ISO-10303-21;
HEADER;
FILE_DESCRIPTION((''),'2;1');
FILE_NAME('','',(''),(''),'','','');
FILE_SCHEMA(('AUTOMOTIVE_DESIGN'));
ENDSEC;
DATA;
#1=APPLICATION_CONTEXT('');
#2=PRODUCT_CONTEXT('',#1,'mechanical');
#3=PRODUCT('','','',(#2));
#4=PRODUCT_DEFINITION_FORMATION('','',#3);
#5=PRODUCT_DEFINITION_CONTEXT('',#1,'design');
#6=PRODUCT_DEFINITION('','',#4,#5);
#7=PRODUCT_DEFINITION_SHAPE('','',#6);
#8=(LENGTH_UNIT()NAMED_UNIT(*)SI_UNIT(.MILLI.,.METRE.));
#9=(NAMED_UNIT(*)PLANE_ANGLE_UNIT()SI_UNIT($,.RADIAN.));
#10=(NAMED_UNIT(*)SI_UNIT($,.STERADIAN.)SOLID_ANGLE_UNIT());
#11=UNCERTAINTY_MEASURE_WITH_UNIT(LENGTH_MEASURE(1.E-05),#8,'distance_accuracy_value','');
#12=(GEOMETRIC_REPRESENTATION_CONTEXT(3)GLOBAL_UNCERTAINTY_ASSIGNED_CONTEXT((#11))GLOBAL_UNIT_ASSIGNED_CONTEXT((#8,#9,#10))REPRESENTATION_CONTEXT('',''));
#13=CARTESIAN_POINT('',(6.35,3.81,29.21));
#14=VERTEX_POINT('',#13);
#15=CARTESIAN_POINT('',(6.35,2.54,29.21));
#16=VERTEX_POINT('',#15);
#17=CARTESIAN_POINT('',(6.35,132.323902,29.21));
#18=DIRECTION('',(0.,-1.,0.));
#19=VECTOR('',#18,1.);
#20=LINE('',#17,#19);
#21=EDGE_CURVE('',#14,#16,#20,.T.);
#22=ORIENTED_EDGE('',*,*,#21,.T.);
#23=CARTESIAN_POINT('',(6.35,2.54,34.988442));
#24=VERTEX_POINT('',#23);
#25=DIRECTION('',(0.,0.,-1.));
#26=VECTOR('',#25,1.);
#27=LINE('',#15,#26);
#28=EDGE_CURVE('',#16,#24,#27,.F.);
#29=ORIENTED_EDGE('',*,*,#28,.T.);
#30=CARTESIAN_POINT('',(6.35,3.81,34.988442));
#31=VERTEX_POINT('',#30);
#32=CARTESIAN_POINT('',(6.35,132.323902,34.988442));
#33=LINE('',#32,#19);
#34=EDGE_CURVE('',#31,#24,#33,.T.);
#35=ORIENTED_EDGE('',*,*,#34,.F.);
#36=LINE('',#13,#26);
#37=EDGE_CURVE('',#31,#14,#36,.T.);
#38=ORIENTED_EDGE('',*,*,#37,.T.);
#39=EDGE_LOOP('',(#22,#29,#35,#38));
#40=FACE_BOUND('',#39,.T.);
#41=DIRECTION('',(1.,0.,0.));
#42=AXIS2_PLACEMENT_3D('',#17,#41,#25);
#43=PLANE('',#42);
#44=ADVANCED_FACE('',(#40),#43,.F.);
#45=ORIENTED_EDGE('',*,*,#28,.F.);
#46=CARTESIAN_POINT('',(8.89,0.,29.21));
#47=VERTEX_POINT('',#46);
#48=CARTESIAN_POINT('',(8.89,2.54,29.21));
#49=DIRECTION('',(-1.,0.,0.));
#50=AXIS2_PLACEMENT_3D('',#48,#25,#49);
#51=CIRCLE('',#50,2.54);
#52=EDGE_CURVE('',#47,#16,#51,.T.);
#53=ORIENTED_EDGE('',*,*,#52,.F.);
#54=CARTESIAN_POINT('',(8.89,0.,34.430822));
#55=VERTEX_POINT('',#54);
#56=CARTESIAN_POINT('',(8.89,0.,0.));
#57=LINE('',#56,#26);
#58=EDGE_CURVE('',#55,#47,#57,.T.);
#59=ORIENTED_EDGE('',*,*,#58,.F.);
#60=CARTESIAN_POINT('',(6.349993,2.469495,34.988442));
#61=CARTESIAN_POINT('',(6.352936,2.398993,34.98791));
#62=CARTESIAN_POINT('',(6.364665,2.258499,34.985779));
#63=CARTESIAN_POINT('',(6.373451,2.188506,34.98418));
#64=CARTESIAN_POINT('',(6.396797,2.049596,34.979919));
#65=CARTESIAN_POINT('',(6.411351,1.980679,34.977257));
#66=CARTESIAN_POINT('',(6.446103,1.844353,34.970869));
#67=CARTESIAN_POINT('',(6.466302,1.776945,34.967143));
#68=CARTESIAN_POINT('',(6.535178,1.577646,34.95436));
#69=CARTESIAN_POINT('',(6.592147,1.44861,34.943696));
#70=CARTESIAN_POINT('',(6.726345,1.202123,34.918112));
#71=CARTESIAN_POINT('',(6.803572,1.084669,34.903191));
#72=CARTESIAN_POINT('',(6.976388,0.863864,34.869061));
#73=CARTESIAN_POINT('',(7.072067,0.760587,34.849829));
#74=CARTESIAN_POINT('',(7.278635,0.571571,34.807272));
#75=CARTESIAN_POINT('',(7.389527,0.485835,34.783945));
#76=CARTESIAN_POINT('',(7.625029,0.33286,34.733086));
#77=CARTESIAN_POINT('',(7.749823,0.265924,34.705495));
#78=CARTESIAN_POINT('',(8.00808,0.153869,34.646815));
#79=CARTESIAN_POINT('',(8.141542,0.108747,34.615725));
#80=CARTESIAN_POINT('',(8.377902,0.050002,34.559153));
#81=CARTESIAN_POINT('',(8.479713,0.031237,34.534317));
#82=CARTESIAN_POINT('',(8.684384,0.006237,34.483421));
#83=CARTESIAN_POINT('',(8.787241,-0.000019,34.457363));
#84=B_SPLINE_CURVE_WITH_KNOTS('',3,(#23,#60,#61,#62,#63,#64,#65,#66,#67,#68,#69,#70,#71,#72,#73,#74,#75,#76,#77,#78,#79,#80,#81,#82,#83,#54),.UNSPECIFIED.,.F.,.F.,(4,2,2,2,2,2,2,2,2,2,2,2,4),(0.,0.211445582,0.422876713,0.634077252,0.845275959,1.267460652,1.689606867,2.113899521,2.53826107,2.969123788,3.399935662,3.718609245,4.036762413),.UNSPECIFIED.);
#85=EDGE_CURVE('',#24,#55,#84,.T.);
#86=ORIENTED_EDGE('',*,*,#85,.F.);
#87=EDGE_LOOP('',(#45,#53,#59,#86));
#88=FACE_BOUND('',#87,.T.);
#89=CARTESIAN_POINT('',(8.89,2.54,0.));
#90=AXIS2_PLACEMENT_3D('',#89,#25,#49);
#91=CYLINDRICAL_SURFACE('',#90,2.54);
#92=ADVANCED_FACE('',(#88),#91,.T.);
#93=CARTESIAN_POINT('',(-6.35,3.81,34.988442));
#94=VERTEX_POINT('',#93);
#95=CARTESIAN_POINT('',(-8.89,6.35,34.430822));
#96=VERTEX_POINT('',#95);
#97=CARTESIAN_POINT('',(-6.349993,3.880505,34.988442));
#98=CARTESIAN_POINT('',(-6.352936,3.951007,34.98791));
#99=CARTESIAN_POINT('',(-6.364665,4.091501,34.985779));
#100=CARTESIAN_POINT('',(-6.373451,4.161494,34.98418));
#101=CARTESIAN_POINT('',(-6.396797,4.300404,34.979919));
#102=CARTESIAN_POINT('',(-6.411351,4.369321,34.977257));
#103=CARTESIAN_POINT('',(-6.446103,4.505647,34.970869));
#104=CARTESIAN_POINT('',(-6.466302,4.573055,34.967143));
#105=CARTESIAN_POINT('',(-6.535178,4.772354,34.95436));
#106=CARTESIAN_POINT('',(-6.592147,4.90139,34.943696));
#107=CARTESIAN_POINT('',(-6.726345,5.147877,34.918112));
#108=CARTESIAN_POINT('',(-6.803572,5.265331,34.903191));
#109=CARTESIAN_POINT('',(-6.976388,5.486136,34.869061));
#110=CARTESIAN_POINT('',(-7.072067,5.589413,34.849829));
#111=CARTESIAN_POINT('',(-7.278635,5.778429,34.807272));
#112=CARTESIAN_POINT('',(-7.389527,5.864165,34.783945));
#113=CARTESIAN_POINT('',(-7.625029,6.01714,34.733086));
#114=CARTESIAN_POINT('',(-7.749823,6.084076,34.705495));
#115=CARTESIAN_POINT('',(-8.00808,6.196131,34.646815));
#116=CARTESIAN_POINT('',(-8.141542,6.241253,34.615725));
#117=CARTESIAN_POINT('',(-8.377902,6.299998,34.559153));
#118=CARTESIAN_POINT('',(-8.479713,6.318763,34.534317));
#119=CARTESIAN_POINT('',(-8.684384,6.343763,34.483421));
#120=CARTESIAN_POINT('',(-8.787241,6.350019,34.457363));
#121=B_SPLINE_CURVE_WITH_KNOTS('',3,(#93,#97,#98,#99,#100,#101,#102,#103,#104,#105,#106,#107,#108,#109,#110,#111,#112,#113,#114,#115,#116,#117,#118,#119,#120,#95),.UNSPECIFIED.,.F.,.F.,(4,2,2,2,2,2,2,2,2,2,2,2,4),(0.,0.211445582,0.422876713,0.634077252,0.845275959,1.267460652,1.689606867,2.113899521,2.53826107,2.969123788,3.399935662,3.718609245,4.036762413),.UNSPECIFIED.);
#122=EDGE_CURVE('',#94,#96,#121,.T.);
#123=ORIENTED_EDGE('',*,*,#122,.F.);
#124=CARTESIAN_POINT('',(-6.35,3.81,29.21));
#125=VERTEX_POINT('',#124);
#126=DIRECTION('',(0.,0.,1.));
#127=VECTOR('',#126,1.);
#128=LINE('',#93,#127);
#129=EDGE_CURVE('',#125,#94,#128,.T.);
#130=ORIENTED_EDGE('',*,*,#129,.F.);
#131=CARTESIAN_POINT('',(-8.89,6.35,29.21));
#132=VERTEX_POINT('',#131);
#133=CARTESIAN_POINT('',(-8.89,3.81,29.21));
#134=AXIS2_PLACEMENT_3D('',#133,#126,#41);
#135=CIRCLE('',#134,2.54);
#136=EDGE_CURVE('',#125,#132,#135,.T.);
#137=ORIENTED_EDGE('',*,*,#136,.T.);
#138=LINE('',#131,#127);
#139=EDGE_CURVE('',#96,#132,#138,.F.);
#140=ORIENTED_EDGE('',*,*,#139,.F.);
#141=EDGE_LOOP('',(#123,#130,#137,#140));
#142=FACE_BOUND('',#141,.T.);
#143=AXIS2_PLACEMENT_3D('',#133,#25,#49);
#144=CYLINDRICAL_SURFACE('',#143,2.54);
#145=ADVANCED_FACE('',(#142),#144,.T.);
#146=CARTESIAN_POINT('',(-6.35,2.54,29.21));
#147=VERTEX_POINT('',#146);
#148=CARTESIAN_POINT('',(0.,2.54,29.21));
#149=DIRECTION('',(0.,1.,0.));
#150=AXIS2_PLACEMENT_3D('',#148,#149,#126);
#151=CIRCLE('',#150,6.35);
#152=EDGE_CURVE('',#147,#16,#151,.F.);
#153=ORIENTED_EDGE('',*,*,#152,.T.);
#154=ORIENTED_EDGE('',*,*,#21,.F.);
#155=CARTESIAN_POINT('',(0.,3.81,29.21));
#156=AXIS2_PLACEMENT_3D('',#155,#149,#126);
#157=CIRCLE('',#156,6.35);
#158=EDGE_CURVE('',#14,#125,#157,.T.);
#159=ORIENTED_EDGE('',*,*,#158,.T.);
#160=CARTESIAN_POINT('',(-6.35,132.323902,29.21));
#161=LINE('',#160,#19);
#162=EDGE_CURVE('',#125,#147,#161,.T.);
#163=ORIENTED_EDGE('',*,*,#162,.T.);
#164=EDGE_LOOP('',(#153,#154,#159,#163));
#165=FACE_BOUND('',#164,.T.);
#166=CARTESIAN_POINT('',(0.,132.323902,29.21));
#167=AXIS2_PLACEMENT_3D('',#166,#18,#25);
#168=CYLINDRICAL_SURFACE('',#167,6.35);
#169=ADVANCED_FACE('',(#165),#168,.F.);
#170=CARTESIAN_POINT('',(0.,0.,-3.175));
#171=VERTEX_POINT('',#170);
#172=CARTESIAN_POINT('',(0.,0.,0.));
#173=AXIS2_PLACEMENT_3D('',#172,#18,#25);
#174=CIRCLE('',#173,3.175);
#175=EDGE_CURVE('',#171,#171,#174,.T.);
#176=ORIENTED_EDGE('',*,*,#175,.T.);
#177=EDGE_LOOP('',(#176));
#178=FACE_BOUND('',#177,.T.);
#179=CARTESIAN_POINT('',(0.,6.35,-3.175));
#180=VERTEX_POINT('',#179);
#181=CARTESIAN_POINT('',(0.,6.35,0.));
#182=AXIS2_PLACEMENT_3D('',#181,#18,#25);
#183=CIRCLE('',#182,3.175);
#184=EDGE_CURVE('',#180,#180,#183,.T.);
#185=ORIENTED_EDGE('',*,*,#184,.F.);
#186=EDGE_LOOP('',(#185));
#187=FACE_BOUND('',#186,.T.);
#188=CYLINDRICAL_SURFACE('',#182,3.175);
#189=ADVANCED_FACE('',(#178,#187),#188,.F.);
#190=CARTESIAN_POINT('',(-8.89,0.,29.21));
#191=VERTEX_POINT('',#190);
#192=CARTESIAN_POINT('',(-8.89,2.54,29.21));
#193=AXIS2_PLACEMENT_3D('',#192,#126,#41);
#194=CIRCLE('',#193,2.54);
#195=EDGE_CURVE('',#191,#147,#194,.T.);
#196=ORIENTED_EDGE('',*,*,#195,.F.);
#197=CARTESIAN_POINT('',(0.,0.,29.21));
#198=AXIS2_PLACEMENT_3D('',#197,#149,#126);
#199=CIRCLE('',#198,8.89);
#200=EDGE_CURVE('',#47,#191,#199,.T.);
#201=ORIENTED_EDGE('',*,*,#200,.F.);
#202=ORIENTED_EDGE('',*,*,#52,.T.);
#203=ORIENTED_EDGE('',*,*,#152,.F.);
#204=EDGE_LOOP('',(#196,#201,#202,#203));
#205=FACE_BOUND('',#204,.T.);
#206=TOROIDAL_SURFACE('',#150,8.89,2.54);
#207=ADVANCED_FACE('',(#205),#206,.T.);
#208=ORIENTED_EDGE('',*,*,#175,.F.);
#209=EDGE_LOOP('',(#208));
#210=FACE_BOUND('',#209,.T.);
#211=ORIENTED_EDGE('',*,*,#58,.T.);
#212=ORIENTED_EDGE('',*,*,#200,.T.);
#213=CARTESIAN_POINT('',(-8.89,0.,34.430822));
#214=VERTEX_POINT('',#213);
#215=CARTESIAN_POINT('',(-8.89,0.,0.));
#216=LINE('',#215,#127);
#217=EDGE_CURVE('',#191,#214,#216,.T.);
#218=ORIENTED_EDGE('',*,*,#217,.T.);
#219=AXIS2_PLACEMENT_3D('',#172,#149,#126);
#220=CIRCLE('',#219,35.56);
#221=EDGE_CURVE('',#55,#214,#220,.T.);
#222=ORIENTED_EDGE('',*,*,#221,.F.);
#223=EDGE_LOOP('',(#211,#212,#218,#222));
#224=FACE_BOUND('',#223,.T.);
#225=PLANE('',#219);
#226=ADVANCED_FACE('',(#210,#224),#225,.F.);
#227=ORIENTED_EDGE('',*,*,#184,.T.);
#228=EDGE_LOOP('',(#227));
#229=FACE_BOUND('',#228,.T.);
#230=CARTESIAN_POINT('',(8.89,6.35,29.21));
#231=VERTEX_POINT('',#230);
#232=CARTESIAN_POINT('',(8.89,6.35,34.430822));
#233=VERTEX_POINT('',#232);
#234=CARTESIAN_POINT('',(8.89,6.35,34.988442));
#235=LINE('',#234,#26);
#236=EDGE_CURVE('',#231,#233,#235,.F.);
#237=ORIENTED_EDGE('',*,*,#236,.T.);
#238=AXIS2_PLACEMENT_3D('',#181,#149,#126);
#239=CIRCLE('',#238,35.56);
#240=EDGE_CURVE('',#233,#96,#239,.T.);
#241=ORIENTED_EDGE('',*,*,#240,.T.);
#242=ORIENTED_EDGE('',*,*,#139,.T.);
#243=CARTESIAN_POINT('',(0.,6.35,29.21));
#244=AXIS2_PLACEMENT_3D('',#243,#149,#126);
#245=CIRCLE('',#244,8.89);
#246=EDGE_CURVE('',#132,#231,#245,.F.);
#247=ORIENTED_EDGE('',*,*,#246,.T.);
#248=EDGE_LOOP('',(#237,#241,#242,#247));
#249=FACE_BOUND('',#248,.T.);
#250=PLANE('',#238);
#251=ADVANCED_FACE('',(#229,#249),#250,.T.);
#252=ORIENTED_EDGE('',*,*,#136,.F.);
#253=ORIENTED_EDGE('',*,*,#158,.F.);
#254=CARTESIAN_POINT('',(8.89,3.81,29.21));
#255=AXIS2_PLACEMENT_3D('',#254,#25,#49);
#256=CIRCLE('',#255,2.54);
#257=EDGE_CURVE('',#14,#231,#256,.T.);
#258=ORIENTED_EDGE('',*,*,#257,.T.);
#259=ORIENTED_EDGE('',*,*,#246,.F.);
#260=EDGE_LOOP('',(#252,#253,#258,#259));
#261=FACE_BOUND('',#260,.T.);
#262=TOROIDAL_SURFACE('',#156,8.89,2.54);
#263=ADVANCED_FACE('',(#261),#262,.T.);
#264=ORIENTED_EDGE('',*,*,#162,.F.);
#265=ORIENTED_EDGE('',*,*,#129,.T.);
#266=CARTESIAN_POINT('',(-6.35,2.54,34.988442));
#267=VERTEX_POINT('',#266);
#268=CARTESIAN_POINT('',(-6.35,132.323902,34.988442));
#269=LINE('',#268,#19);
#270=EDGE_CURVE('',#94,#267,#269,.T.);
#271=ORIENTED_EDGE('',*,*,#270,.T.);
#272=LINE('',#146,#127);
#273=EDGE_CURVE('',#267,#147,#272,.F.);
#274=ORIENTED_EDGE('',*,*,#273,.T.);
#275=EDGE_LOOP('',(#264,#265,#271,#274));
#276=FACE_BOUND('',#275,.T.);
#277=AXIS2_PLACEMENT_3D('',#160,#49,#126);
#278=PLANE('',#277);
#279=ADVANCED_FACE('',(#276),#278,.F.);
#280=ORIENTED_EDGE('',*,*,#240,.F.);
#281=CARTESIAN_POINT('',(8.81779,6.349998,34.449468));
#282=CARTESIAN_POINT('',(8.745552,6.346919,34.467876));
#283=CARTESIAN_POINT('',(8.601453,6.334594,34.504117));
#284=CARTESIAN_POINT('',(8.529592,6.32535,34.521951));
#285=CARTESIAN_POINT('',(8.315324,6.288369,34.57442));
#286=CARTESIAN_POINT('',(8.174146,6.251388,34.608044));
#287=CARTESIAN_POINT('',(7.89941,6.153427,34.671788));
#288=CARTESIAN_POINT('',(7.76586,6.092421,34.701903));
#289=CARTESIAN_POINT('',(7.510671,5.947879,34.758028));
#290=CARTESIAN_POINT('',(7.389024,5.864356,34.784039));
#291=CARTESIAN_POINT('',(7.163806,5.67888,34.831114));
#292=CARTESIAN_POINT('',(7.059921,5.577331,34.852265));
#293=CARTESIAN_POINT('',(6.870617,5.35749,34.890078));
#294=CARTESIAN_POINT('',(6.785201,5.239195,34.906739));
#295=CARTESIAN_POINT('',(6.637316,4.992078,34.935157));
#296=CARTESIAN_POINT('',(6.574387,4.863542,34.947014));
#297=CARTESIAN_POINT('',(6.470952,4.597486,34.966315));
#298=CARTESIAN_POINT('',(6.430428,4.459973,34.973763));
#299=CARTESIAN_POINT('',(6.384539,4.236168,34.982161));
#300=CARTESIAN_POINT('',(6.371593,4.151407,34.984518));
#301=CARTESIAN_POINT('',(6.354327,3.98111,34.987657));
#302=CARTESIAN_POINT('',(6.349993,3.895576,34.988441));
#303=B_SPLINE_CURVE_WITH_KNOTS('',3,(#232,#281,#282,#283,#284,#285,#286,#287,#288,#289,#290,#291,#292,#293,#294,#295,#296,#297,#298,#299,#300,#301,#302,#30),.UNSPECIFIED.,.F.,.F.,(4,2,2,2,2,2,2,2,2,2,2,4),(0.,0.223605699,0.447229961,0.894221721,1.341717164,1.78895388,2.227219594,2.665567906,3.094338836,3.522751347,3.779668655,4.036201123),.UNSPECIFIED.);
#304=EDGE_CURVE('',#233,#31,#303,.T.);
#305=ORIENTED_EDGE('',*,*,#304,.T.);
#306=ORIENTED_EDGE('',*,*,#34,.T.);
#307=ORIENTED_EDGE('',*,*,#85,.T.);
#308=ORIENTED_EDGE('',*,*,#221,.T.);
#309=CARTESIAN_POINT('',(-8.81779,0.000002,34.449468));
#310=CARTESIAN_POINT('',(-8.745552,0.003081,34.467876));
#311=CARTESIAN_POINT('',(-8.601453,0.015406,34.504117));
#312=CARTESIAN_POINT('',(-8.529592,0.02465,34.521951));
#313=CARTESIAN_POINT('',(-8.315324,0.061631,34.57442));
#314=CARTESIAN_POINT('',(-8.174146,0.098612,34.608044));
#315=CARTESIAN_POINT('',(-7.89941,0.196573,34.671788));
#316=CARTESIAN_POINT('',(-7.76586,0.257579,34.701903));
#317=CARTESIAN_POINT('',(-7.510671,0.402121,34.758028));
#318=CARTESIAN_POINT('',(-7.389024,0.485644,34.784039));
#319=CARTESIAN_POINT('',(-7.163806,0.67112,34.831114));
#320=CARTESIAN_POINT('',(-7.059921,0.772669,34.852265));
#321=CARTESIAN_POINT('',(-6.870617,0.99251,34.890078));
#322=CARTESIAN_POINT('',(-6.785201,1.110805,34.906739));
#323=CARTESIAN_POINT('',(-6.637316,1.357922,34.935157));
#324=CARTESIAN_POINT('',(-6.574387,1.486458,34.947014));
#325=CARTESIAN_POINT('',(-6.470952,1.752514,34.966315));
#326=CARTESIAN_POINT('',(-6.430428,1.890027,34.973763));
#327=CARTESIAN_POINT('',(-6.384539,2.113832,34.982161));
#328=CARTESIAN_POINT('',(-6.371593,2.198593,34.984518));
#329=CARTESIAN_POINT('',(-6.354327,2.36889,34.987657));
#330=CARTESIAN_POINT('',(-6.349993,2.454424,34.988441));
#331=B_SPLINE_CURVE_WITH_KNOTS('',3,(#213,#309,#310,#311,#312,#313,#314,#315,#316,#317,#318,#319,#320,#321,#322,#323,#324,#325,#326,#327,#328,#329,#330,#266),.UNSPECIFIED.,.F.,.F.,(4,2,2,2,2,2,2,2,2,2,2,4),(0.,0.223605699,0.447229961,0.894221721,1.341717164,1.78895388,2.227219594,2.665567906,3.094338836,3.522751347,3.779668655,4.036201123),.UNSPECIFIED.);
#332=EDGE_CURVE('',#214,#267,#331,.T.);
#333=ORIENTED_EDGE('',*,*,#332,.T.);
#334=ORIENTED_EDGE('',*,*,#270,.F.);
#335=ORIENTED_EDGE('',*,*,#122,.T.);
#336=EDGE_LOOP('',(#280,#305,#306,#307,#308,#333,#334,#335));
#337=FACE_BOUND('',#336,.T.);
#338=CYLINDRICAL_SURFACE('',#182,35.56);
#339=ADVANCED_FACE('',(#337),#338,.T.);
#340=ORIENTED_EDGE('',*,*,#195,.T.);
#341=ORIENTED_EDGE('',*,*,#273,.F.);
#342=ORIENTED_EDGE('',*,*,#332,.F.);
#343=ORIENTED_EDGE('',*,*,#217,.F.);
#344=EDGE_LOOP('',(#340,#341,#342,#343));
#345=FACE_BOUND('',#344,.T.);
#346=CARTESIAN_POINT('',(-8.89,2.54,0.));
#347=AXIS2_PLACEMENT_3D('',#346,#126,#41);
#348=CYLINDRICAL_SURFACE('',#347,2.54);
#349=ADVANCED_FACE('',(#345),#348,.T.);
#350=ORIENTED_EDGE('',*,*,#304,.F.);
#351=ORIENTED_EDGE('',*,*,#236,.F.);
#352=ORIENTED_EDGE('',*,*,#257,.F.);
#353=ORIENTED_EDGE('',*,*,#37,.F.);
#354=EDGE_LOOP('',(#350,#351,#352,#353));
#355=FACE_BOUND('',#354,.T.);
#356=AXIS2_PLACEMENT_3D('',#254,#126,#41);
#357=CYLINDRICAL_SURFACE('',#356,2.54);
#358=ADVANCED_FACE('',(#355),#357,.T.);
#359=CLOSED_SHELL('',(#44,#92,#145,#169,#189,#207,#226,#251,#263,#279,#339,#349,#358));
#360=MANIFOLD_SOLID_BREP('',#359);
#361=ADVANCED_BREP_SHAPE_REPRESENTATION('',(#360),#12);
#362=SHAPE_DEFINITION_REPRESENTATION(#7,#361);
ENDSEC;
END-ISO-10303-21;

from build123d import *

# Parameters (mm, degrees)
SKETCH2_R                  = 35.56
BOSS_EXTRUDE1_DEPTH        = 6.35
SHOCK_CORD_HOLE_DEPTH      = 1
SHOCK_CORD_HOLE_DEPTH_BACK = 7.35
FILLET1_R                  = 2.54
SKETCH18_R                 = 3.175
CUT_EXTRUDE1_DEPTH         = 7.3500001


with BuildPart() as part:
    # Sketch2 → Boss-Extrude1 (new body)
    with BuildSketch(Plane(origin=(0, 0, 0), x_dir=(1, 0, 0), z_dir=(0, 1, 0))):
        Circle(SKETCH2_R)
    extrude(amount=BOSS_EXTRUDE1_DEPTH)

    # Sketch4 → Shock Cord hole (cut, two sides)
    with BuildSketch(Plane(origin=(0, 6.35, 0), x_dir=(1, 0, 0), z_dir=(0, 1, 0))) as shock_cord_hole_sk:
        with BuildLine():
            Line((6.35, -209.104630755), (6.35, -34.988442377))
            Line((6.35, -34.988442377), (6.35, -29.21))
            ThreePointArc((6.35, -29.21), (0, -22.86), (-6.35, -29.21))
            Line((-6.35, -29.21), (-6.35, -34.988442377))
            Line((-6.35, -34.988442377), (-6.35, -209.104630755))
            Line((-6.35, -209.104630755), (-6.35, -557.33700751))
            Line((-6.35, -557.33700751), (6.35, -557.33700751))
            Line((6.35, -557.33700751), (6.35, -209.104630755))
        make_face()
    extrude(amount=SHOCK_CORD_HOLE_DEPTH, mode=Mode.SUBTRACT)
    extrude(shock_cord_hole_sk.sketch, amount=-SHOCK_CORD_HOLE_DEPTH_BACK, mode=Mode.SUBTRACT)

    # Fillet1
    fillet1_edges = [part.edges().sort_by_distance(p)[0] for p in [
        (-6.35, 6.35, 32.099221189),
        (0, 6.35, 22.86),
        (6.35, 6.35, 32.099221189),
        (6.35, 0, 32.099221189),
        (0, 0, 22.86),
        (-6.35, 0, 32.099221189),
    ]]
    fillet(fillet1_edges, radius=FILLET1_R)

    # Sketch18 → Cut-Extrude1 (cut, through all)
    with BuildSketch(Plane.XZ):
        Circle(SKETCH18_R)
    extrude(amount=-CUT_EXTRUDE1_DEPTH, mode=Mode.SUBTRACT)


solid = part.part
